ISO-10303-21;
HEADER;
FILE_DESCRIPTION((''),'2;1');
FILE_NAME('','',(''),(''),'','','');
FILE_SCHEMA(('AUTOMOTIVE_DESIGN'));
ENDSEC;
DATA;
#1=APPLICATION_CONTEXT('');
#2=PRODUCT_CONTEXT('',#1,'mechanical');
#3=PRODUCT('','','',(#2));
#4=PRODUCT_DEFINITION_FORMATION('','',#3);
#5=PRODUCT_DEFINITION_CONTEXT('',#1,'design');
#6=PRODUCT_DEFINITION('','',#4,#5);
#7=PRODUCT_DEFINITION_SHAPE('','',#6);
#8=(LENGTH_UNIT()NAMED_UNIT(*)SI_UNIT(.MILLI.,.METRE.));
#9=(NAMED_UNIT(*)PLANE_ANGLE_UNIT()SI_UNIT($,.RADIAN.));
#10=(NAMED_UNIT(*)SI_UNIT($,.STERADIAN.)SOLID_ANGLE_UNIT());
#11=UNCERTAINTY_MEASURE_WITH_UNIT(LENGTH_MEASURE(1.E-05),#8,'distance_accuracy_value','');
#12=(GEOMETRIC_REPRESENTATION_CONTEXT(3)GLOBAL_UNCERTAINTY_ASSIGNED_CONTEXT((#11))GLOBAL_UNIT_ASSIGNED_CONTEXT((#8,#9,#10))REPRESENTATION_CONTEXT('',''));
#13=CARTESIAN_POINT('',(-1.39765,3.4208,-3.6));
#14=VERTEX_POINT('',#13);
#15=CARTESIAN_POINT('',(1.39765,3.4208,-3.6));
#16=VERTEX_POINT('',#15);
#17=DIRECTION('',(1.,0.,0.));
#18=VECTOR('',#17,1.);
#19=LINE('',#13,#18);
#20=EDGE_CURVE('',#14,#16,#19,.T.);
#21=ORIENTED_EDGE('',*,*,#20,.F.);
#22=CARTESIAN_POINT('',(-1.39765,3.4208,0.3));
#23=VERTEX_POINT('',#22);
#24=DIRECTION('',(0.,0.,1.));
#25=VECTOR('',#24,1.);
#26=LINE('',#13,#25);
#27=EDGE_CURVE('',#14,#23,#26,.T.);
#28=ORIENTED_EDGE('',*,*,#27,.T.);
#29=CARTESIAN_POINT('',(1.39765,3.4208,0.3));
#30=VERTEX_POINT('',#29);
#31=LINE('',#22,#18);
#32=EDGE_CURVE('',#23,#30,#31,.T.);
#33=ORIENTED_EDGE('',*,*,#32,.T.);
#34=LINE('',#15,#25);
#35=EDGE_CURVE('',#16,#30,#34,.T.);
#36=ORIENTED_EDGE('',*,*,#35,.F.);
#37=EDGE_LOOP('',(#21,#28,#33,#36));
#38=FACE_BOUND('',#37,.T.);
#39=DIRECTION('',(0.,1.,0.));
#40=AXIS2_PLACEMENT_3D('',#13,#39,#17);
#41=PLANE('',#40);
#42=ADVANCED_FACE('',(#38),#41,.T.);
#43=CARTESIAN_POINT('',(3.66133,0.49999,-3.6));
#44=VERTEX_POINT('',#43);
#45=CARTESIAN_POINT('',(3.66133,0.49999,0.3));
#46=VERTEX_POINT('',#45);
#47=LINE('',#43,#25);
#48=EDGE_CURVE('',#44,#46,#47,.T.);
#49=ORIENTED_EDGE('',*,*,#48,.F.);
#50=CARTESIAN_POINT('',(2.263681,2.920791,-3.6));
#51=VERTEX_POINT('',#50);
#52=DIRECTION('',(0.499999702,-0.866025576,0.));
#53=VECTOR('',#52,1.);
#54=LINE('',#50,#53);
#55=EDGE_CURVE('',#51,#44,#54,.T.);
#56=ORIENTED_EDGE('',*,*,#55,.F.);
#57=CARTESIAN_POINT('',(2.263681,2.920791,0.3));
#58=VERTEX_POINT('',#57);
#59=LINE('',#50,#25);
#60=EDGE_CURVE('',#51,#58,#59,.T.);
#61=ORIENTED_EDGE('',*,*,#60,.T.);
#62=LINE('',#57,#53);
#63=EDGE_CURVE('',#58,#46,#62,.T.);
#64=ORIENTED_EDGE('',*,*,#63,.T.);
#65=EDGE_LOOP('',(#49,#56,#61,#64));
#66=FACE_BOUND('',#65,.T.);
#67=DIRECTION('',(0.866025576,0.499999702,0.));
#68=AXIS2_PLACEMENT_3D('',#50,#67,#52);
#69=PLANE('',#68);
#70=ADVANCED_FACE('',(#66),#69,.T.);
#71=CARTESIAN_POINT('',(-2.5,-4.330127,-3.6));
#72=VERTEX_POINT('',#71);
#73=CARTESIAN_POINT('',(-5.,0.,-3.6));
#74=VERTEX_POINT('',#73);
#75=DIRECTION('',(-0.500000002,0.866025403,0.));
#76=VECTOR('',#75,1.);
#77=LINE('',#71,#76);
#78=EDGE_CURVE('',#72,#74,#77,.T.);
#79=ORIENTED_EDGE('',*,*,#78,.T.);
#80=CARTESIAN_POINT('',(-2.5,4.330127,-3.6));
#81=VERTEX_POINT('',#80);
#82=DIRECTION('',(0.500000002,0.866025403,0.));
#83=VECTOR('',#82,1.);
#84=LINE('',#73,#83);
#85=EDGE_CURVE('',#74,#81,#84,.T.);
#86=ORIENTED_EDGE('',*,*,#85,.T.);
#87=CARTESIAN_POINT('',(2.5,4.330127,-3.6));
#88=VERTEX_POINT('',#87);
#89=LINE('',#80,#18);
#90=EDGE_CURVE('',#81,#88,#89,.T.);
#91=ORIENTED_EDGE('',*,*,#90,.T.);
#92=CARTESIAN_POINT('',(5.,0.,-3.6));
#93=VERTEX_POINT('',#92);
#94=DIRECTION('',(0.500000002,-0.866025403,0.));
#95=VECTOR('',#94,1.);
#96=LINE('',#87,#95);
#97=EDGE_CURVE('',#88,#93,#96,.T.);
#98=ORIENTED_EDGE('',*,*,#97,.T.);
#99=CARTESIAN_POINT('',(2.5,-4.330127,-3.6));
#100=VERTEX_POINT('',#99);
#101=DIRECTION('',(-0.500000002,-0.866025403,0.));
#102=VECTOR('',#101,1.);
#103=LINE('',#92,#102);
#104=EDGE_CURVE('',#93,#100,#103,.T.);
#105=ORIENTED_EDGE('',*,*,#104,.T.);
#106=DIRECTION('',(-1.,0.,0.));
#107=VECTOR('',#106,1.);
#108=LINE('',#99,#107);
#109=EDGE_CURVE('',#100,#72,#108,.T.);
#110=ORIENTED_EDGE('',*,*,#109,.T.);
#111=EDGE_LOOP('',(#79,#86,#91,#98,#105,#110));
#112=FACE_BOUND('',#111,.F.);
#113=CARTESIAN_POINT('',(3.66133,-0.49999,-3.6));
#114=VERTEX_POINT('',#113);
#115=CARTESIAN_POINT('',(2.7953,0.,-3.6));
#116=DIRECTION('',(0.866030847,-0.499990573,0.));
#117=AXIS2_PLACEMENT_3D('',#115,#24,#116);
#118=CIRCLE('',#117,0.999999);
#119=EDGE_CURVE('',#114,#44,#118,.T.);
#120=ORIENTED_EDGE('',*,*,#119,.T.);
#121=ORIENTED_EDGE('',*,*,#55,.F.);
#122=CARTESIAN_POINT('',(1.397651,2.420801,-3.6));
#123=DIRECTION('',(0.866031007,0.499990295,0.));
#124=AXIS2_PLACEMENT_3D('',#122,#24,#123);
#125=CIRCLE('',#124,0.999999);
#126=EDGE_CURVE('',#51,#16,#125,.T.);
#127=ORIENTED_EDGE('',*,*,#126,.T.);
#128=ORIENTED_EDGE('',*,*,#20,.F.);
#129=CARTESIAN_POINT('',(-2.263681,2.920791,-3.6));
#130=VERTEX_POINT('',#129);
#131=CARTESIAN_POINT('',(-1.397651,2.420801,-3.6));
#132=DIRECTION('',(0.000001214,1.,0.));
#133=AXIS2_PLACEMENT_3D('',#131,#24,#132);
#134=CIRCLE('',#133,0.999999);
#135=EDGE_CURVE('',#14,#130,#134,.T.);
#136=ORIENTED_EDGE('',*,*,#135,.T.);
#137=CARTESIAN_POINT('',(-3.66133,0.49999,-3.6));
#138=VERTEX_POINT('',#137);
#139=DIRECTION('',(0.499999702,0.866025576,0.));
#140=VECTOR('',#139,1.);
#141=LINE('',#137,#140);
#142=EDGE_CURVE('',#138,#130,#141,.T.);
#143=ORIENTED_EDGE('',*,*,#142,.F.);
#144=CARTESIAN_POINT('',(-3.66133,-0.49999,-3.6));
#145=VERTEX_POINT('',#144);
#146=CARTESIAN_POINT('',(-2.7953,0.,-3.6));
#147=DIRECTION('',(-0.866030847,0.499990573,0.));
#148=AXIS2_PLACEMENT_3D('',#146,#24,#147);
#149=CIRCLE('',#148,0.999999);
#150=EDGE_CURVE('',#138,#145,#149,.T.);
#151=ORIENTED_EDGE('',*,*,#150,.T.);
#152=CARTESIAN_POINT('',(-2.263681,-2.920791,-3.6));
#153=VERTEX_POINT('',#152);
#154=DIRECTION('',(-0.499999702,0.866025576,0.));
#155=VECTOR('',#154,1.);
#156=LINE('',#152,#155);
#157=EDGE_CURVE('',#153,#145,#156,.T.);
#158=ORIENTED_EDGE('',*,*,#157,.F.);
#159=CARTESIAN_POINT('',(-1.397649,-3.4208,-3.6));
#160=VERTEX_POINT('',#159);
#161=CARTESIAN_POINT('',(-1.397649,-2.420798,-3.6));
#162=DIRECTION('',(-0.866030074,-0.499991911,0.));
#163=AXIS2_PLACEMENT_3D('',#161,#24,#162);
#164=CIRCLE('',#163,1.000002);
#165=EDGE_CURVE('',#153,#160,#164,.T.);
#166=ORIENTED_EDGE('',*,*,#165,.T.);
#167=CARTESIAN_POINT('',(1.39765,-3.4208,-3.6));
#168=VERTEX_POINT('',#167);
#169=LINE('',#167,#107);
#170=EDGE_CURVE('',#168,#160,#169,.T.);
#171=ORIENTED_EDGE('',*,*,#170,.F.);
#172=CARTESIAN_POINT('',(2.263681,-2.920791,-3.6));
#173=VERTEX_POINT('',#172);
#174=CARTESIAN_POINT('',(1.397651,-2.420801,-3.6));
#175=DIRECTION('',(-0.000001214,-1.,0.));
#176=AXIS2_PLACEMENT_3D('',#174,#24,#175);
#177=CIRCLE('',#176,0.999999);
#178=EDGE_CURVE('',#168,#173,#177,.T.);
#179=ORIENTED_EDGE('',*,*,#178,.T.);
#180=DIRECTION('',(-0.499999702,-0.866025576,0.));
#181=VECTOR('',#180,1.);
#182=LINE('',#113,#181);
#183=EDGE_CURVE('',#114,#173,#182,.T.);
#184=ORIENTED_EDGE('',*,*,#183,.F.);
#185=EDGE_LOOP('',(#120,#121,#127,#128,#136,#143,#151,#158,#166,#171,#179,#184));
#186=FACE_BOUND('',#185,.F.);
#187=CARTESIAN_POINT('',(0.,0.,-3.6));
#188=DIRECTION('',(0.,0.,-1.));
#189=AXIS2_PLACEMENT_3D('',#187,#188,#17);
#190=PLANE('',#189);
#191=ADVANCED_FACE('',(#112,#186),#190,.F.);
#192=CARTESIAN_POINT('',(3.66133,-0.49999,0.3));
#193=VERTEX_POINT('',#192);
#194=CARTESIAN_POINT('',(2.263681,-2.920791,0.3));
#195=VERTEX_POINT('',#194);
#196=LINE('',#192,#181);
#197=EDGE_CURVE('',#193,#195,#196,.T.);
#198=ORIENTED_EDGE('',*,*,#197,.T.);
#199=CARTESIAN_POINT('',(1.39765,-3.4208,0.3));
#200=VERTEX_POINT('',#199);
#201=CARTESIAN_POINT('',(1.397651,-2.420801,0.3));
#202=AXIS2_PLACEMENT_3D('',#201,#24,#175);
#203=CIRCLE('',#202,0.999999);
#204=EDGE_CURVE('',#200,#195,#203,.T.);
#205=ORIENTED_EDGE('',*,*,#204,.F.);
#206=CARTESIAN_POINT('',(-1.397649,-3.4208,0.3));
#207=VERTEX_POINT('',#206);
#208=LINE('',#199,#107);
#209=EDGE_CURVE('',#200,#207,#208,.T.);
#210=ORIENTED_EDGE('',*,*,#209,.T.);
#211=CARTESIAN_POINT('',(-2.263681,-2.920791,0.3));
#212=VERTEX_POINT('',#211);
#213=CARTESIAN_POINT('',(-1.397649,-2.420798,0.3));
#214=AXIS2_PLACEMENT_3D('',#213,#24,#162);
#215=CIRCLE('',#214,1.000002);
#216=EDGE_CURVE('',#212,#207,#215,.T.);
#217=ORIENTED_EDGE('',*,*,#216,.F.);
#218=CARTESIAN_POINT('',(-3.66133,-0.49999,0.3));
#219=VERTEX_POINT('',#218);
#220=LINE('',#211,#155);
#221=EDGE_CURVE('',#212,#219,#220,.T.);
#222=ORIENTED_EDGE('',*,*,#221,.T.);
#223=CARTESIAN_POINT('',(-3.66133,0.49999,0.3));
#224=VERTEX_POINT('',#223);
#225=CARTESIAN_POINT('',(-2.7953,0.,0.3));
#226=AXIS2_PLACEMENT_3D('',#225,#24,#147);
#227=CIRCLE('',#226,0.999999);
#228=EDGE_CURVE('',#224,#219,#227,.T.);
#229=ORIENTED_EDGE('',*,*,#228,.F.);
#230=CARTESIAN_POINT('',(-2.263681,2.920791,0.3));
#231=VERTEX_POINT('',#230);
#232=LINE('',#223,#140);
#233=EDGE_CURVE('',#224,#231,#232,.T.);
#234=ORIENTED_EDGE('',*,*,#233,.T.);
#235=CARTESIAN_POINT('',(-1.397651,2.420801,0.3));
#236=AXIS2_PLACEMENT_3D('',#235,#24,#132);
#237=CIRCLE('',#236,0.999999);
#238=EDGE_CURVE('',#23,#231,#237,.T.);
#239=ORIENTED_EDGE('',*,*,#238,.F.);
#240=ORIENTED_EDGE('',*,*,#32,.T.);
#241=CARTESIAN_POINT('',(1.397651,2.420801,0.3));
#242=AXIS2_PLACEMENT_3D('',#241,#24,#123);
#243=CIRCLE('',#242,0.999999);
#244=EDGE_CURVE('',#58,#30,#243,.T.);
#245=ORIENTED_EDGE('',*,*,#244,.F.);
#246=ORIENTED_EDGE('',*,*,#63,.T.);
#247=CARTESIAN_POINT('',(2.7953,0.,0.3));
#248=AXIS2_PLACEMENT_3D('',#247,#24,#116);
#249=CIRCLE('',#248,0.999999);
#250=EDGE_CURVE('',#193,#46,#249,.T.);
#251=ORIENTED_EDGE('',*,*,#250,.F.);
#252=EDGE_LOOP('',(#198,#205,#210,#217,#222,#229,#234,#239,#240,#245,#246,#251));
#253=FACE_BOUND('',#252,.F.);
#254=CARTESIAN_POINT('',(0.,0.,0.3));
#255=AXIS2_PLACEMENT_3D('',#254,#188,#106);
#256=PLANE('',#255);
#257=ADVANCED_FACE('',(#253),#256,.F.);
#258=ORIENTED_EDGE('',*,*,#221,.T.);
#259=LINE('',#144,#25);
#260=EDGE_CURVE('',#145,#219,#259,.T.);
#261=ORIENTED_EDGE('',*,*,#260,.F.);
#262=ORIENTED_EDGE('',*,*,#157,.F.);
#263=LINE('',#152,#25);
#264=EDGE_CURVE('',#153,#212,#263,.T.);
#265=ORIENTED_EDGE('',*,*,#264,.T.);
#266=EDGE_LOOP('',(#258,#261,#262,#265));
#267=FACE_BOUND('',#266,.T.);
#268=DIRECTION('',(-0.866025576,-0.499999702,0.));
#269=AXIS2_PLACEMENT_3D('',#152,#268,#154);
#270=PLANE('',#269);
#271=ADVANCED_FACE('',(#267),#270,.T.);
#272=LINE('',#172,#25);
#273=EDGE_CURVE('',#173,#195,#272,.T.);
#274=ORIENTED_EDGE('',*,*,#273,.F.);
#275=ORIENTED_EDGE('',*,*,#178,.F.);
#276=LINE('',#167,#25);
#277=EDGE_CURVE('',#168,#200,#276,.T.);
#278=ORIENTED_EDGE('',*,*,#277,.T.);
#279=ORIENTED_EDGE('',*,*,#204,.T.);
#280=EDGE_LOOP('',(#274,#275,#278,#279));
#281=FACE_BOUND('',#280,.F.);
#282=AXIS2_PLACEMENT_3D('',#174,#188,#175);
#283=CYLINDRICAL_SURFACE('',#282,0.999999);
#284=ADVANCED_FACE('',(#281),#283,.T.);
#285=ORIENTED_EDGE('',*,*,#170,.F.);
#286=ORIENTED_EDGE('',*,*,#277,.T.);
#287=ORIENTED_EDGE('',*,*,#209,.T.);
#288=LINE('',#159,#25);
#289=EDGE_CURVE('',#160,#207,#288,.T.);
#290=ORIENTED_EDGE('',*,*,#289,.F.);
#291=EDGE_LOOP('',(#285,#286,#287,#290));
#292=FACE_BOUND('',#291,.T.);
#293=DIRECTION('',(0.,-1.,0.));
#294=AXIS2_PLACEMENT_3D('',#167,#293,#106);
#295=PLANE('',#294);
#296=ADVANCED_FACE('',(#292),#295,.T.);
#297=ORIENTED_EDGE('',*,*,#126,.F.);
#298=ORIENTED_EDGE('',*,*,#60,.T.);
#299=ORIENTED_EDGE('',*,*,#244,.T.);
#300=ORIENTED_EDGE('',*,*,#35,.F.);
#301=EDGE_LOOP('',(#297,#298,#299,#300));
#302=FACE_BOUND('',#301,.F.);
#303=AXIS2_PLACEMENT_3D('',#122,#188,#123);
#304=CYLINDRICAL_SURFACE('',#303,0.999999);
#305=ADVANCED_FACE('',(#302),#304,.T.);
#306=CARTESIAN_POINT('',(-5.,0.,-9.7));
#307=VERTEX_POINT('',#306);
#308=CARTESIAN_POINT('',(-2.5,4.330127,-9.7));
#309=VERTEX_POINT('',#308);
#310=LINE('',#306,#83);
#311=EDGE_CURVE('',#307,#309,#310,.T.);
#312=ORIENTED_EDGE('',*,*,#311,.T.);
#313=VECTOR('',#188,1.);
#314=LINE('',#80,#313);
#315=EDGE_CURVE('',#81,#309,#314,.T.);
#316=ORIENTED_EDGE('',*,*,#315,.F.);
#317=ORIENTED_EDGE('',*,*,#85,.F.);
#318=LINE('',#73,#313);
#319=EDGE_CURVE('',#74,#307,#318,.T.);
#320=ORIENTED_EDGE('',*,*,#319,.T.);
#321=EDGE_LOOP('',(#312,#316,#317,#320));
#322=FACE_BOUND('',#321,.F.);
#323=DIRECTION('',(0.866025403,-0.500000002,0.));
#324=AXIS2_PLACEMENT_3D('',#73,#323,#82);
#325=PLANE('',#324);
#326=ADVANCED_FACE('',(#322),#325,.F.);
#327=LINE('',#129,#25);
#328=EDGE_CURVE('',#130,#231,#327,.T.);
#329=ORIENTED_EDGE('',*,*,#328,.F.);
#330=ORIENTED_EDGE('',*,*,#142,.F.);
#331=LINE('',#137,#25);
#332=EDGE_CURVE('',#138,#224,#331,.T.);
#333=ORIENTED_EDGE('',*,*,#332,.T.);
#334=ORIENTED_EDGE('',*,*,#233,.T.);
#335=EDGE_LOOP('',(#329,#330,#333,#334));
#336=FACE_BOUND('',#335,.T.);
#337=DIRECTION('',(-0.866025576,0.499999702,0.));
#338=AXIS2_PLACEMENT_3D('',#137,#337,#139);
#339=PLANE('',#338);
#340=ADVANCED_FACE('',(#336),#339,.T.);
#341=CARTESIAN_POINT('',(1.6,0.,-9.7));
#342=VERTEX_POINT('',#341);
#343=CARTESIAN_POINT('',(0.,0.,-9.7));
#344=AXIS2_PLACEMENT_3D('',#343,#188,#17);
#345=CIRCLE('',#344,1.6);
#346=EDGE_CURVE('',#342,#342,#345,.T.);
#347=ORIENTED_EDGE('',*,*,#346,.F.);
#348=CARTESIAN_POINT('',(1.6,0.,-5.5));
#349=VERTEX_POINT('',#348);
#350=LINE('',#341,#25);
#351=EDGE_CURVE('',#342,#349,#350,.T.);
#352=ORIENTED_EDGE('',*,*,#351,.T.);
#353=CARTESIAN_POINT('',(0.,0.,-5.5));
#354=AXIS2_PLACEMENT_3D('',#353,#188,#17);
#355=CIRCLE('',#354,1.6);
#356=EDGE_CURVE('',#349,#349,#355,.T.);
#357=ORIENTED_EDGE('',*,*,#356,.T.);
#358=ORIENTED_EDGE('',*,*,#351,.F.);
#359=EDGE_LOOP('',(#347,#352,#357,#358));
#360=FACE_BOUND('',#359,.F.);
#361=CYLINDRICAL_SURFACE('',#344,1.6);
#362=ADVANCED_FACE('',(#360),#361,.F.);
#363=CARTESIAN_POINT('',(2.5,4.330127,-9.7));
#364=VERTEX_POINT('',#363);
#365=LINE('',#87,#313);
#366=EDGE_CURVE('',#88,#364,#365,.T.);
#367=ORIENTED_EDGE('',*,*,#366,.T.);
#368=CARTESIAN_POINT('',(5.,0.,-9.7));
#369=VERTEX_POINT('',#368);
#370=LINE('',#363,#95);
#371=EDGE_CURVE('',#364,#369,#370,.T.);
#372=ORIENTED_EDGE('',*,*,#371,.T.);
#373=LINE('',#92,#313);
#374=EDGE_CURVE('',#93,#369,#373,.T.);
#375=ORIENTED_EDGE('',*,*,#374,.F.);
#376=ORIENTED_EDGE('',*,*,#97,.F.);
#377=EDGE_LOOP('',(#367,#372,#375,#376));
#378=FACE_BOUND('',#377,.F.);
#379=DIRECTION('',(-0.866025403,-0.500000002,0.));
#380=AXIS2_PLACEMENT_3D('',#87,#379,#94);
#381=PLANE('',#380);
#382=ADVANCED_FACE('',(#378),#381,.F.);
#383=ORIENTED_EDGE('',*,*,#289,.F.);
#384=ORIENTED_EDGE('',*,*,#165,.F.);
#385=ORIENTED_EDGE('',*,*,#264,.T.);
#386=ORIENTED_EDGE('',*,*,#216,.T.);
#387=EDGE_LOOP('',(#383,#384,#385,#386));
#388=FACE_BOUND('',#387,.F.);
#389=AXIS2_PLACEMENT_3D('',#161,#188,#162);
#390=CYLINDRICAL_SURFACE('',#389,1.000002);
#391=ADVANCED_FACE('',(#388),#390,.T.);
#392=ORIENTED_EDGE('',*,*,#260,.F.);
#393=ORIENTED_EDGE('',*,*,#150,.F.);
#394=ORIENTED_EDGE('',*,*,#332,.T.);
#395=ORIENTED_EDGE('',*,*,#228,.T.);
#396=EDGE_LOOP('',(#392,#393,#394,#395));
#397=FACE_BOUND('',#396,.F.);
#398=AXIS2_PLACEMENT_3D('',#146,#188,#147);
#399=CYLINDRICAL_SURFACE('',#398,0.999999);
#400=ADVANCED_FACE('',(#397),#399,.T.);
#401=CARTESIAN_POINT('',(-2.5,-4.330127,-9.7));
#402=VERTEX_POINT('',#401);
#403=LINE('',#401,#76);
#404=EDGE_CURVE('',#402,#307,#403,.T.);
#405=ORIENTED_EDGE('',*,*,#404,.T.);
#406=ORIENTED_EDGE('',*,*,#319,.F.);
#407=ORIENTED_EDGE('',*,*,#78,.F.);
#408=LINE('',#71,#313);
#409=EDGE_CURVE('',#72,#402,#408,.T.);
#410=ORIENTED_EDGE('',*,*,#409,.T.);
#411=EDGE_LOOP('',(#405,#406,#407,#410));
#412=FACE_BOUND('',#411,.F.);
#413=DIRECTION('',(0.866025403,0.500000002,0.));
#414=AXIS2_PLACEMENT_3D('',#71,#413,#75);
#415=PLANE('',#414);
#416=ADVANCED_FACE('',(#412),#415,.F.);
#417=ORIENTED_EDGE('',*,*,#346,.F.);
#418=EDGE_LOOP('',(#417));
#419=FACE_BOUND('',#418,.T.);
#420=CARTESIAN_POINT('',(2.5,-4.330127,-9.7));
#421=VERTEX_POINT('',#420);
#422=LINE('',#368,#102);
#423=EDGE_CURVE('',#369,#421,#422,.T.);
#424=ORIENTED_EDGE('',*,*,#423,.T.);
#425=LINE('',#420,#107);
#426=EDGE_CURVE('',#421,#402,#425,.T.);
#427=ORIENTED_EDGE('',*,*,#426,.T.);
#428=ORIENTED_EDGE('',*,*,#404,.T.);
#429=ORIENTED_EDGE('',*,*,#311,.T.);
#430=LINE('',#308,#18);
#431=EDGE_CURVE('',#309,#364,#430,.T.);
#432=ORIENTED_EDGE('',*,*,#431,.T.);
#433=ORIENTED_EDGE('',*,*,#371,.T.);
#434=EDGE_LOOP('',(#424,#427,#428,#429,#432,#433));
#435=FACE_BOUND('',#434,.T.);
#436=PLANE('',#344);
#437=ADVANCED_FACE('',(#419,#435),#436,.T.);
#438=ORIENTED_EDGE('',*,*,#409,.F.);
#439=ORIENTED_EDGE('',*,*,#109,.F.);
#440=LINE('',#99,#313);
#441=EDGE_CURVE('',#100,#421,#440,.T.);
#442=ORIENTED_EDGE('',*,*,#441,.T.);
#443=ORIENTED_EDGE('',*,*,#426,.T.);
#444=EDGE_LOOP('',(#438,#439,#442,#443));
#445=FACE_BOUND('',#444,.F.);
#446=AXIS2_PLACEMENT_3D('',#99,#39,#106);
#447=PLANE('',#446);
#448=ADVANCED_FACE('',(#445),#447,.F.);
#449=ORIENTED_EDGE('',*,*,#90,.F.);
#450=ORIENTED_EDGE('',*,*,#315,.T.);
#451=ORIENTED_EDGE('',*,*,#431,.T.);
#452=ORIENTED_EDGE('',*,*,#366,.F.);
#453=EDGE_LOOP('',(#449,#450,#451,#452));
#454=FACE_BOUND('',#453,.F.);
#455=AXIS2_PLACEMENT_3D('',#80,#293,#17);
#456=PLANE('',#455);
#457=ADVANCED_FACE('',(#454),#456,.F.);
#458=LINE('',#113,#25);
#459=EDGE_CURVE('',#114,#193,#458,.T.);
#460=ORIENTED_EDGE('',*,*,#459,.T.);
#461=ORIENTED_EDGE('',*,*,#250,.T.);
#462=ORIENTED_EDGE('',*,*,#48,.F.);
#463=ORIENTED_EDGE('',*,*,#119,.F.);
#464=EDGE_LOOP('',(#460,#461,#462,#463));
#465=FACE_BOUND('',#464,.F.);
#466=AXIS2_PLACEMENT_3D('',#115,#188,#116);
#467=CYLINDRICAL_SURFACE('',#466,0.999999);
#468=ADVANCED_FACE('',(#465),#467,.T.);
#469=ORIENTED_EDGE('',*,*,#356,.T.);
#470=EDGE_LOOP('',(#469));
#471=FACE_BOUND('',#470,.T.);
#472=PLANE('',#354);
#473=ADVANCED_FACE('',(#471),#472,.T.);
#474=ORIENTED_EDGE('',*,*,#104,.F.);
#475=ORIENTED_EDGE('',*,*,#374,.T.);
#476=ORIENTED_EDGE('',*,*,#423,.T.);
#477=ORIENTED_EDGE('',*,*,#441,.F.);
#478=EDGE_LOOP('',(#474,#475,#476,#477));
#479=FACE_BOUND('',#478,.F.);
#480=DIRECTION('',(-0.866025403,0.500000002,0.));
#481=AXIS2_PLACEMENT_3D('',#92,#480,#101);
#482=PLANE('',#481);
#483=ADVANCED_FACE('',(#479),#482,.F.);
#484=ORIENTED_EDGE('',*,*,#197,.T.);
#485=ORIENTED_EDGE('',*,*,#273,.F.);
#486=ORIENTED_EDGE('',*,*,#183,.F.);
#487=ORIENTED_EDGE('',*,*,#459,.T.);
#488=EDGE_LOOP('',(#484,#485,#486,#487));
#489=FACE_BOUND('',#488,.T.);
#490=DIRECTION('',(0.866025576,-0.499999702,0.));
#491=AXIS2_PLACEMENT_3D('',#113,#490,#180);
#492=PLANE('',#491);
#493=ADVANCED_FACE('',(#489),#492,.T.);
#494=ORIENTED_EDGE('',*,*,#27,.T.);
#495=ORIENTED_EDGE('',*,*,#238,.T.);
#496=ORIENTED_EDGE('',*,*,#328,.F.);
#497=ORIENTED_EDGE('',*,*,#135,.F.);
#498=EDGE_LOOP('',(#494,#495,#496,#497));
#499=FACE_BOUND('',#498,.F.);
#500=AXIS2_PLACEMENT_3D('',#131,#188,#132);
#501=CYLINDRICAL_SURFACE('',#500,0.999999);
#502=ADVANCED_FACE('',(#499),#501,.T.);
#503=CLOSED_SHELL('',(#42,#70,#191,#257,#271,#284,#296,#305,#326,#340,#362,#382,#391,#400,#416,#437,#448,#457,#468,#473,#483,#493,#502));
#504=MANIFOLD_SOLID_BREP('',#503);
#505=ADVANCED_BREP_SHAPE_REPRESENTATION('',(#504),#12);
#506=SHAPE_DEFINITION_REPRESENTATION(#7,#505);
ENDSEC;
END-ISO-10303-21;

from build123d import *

# Parameters (mm, degrees)
PAD_DEPTH    = 3.9
PAD001_DEPTH = 6.1
SKETCH002_R  = 1.6
POCKET_DEPTH = 4.2


with BuildPart() as part:
    # Sketch → Pad (new body)
    with BuildSketch(Plane.XY):
        with BuildLine():
            Line((-3.66133, 0.49999), (-2.263681, 2.920791))
            ThreePointArc((-1.39765, 3.4208), (-1.897655, 3.286823), (-2.263681, 2.920791))
            Line((-1.39765, 3.4208), (1.39765, 3.4208))
            ThreePointArc((2.263681, 2.920791), (1.897655, 3.286823), (1.39765, 3.4208))
            Line((2.263681, 2.920791), (3.66133, 0.49999))
            ThreePointArc((3.66133, -0.49999), (3.795299, 0), (3.66133, 0.49999))
            Line((3.66133, -0.49999), (2.263681, -2.920791))
            ThreePointArc((1.39765, -3.4208), (1.897655, -3.286823), (2.263681, -2.920791))
            Line((1.39765, -3.4208), (-1.397649, -3.4208))
            ThreePointArc((-2.263681, -2.920791), (-1.897654, -3.286823), (-1.397649, -3.4208))
            Line((-2.263681, -2.920791), (-3.66133, -0.49999))
            ThreePointArc((-3.66133, 0.49999), (-3.795299, 0), (-3.66133, -0.49999))
        make_face()
    extrude(amount=PAD_DEPTH)

    # Sketch001 (on DatumPlane) → Pad001 (join)
    with BuildSketch(Plane(origin=(0, 0, 0), x_dir=(1, 0, 0), z_dir=(0, 0, -1))):
        Polygon((5, 0), (2.5, 4.330127), (-2.5, 4.330127), (-5, 0), (-2.5, -4.330127), (2.5, -4.330127), align=None)
    extrude(amount=PAD001_DEPTH)

    # Sketch002 (on DatumPlane) → Pocket (cut)
    with BuildSketch(Plane(origin=(0, 0, -6.1), x_dir=(1, 0, 0), z_dir=(0, 0, -1))):
        Circle(SKETCH002_R)
    extrude(amount=-POCKET_DEPTH, mode=Mode.SUBTRACT)


with BuildPart() as part_1:
    # Body placement: moved
    add(part.part.moved(Location((0, 0, -3.6))))


solid = part_1.part
